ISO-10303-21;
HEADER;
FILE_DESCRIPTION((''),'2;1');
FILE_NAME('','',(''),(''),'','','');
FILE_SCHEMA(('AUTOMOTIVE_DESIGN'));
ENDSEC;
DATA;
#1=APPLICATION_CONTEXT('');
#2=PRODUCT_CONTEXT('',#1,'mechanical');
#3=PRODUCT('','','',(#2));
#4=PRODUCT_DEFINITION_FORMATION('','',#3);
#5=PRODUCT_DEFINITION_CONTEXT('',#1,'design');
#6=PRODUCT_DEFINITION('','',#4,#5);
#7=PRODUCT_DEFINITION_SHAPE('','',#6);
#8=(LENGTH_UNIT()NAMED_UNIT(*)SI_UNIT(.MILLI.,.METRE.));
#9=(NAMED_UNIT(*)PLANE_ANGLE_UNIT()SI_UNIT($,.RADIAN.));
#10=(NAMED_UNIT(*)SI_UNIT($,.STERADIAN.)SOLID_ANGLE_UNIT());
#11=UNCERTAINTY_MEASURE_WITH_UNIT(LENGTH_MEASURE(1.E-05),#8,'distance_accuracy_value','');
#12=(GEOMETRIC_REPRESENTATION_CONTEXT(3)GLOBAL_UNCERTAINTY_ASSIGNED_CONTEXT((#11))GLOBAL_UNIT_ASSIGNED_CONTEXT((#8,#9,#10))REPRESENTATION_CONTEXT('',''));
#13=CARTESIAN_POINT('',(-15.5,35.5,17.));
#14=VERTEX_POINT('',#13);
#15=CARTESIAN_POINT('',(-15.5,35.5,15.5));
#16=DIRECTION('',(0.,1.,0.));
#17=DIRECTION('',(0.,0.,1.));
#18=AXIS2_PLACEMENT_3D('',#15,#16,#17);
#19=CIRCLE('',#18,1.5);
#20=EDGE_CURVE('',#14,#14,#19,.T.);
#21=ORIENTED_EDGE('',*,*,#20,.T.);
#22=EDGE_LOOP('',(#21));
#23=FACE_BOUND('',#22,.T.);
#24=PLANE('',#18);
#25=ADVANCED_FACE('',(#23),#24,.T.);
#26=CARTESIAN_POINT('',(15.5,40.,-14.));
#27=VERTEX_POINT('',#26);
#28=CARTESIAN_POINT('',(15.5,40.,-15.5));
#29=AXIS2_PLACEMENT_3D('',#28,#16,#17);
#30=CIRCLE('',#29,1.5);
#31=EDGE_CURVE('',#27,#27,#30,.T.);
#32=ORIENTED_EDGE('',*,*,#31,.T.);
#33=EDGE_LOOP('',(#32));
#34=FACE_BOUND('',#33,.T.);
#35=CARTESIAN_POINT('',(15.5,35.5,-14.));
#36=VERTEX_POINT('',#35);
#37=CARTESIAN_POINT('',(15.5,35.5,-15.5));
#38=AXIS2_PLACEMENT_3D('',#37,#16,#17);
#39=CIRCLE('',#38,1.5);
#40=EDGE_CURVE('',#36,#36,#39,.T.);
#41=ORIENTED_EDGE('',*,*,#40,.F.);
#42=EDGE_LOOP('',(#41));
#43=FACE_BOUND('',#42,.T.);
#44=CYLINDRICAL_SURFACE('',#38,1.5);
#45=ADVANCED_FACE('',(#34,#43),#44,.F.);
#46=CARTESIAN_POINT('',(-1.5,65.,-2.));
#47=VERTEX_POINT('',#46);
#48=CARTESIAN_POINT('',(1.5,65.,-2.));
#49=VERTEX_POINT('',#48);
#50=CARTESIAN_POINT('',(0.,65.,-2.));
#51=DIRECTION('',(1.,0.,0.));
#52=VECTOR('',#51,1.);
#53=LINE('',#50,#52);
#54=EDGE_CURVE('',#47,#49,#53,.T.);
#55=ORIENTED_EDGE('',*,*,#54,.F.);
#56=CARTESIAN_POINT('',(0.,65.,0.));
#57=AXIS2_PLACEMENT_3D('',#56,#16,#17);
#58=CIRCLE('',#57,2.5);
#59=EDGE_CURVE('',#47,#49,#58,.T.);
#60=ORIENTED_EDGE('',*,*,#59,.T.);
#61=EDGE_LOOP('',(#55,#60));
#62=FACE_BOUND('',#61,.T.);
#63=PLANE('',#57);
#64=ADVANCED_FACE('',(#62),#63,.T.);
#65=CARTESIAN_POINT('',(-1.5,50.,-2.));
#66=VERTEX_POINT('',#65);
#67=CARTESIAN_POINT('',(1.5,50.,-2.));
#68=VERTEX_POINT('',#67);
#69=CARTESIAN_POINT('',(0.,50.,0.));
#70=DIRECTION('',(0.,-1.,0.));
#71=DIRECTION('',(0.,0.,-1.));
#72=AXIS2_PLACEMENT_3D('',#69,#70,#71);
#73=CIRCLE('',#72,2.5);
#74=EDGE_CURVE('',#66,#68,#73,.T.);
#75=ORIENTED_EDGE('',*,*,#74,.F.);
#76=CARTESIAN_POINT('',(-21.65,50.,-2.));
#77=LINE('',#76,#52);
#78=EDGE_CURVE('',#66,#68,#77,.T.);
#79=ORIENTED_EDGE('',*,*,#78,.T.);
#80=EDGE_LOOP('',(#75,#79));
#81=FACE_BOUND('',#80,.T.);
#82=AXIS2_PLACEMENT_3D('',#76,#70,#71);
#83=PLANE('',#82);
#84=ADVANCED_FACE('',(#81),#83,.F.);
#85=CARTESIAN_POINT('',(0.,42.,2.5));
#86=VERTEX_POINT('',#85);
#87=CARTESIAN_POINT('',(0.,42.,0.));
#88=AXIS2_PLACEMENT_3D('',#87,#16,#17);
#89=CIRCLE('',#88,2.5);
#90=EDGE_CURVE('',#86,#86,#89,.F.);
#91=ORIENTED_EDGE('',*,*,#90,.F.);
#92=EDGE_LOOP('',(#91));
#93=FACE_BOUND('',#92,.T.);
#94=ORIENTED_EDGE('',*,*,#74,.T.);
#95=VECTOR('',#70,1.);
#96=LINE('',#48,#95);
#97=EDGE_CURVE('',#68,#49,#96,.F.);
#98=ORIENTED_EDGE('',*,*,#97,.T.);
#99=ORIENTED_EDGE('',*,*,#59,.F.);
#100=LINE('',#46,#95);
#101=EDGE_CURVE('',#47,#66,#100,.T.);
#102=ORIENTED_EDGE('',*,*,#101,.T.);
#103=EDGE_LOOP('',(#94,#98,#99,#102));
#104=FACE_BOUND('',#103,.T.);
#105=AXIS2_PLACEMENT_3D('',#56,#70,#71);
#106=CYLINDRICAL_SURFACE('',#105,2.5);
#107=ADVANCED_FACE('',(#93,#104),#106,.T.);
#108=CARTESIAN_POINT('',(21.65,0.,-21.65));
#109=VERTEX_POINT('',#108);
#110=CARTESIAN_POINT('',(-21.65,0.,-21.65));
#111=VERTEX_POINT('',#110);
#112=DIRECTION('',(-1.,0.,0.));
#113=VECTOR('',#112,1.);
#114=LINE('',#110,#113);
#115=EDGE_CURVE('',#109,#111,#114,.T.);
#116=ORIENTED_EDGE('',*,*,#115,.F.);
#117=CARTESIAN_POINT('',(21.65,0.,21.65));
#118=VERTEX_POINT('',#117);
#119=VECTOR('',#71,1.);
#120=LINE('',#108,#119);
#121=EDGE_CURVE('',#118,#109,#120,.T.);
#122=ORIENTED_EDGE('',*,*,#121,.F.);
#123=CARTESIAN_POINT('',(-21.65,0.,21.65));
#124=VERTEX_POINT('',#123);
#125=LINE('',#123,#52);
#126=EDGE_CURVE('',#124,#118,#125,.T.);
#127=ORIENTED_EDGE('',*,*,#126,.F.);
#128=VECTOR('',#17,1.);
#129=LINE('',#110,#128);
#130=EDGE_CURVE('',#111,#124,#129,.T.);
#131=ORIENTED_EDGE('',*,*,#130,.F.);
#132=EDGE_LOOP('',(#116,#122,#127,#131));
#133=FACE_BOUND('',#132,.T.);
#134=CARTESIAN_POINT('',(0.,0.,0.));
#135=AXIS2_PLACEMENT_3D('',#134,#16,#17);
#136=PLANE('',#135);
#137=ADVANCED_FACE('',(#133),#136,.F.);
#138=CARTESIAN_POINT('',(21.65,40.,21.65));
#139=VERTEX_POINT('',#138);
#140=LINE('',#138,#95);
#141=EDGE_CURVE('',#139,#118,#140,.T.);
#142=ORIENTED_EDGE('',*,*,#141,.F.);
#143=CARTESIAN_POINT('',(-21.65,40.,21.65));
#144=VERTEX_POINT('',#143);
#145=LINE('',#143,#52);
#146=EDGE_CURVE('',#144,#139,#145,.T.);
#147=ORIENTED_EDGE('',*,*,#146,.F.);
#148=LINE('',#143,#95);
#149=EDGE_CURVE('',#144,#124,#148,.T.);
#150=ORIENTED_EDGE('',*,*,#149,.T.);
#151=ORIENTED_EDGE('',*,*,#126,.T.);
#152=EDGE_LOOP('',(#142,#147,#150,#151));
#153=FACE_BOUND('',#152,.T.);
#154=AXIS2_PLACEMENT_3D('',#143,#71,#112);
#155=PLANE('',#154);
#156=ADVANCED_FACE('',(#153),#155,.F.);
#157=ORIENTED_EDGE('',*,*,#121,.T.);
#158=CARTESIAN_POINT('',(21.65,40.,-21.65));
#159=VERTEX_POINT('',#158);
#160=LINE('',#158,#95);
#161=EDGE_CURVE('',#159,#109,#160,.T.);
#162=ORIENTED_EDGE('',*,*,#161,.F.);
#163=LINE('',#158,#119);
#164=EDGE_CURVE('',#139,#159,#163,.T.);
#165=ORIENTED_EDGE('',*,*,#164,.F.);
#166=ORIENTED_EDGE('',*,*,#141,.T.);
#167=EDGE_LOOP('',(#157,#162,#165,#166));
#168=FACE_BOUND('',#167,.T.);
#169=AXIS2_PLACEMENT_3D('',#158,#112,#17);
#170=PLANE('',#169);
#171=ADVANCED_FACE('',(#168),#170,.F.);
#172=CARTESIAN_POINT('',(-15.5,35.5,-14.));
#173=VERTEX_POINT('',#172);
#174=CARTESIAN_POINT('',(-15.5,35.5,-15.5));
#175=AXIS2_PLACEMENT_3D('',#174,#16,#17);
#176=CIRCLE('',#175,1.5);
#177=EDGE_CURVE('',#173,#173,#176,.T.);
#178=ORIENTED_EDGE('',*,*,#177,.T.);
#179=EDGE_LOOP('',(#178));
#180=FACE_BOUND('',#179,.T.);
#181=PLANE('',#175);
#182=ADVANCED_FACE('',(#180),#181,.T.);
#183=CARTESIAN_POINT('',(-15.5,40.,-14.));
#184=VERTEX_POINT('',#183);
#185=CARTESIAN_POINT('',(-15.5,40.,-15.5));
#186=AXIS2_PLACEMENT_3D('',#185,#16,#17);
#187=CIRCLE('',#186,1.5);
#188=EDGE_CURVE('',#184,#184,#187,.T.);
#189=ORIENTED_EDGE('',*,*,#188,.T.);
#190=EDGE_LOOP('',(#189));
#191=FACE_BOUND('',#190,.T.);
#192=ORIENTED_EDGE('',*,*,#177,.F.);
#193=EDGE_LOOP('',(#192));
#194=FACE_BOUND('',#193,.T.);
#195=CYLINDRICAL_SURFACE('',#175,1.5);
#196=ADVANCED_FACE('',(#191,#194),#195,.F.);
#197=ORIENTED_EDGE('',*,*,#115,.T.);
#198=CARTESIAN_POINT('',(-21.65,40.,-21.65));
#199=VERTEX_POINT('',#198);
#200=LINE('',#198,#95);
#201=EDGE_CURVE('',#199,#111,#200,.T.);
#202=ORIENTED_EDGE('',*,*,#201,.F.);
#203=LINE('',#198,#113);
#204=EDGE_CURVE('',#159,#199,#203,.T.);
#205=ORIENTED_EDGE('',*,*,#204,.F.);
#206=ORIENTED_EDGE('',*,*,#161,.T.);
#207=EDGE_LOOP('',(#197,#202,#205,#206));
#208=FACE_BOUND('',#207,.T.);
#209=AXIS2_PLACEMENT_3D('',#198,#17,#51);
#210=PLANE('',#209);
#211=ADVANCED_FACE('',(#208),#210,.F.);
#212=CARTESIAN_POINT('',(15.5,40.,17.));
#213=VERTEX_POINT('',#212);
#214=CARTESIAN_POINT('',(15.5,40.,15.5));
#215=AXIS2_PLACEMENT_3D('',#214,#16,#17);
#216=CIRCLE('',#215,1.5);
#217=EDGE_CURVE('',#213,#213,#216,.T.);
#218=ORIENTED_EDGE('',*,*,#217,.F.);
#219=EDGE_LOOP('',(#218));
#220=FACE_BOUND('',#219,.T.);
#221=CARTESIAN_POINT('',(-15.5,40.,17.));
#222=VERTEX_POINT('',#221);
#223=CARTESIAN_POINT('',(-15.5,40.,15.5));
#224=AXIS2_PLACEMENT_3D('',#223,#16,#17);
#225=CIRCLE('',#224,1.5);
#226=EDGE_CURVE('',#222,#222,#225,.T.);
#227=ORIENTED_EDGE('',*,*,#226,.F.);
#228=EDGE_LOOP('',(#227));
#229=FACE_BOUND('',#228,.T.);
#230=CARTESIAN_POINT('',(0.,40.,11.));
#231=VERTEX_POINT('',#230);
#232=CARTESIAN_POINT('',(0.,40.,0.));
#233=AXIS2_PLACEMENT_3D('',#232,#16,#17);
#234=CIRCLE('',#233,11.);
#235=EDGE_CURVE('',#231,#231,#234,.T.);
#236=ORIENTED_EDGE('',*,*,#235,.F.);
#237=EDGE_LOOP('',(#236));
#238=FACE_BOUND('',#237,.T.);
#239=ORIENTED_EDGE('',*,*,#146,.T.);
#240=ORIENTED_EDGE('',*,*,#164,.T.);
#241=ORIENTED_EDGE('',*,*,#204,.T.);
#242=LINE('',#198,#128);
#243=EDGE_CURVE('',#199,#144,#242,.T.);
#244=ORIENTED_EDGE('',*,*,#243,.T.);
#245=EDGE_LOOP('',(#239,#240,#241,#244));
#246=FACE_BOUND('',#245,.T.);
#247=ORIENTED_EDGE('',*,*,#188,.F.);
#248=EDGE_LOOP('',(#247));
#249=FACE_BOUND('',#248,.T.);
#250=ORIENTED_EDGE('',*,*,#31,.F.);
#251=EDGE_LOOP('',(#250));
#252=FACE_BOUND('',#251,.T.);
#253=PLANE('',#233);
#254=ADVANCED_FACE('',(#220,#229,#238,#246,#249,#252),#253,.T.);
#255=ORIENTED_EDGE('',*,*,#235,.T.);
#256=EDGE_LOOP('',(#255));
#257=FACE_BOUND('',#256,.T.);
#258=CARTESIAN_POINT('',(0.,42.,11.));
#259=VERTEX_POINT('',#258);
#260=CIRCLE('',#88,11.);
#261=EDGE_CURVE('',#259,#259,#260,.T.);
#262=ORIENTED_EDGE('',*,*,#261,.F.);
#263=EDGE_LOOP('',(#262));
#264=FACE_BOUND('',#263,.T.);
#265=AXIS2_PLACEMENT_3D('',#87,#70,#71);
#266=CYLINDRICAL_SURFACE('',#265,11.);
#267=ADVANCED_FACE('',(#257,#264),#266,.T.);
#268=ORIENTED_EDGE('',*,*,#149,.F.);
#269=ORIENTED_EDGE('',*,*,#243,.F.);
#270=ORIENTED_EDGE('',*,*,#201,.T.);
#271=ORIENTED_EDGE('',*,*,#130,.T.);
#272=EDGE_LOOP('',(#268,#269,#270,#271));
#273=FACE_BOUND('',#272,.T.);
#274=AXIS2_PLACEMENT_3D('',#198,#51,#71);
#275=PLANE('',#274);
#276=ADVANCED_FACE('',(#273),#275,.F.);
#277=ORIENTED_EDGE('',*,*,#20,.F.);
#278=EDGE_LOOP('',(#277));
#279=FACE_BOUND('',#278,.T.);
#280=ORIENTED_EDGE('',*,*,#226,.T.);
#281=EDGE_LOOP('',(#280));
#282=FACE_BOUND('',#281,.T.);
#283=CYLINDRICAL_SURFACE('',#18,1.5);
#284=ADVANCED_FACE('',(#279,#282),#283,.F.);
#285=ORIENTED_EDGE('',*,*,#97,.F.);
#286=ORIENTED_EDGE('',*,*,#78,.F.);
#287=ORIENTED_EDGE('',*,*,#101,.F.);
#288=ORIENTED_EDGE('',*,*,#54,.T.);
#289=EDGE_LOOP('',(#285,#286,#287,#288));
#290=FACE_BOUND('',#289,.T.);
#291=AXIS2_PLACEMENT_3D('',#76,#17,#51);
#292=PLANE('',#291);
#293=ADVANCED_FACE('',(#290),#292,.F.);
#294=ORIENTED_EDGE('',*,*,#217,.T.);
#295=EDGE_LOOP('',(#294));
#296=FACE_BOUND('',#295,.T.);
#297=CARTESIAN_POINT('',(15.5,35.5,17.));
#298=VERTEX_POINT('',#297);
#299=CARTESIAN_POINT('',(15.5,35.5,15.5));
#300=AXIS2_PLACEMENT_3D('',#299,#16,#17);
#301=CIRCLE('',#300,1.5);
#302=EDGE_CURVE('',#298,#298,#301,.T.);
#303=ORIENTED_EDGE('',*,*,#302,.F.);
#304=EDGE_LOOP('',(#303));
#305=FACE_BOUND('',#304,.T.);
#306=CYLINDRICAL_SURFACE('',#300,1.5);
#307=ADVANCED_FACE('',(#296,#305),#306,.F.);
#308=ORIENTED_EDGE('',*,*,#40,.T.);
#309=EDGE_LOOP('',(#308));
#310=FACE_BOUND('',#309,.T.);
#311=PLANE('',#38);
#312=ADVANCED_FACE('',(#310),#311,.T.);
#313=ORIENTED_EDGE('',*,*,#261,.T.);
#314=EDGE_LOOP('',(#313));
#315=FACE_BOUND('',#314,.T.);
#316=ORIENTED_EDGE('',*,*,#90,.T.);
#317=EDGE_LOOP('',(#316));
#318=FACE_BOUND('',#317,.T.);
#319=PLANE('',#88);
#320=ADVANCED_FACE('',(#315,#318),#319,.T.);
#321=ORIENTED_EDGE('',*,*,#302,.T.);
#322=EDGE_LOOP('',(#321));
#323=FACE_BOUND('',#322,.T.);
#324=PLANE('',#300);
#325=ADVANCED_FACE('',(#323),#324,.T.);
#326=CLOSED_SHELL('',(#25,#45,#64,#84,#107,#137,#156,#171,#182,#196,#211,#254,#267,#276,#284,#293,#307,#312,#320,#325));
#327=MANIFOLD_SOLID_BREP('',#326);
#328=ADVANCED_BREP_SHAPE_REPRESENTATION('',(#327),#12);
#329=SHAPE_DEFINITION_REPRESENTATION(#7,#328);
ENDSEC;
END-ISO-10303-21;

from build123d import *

# Parameters (mm, degrees)
SKETCH1_W               = 43.3
SKETCH1_H               = 43.3
BOSS_EXTRUDE1_DEPTH     = 40
SKETCH2_R               = 11
BOSS_EXTRUDE2_DEPTH     = 2
SKETCH3_R               = 2.5
BOSS_EXTRUDE3_DEPTH     = 25
CUT_EXTRUDE1_DEPTH      = 72.850156576
CUT_EXTRUDE1_DEPTH_BACK = 72.850156576
SKETCH4_W               = 0.5
SKETCH4_H               = 15
SKETCH5_R               = 1.5
CUT_EXTRUDE2_DEPTH      = 4.5


with BuildPart() as part:
    # Sketch1 → Boss-Extrude1 (new body)
    with BuildSketch(Plane(origin=(0, 0, 0), x_dir=(1, 0, 0), z_dir=(0, 1, 0))):
        Rectangle(SKETCH1_W, SKETCH1_H)
    extrude(amount=BOSS_EXTRUDE1_DEPTH)

    # Sketch2 → Boss-Extrude2 (add)
    with BuildSketch(Plane(origin=(0, 40, 0), x_dir=(1, 0, 0), z_dir=(0, 1, 0))):
        with Locations(Location((0, 0, 0), (0, 0, 270))):
            Circle(SKETCH2_R)
    extrude(amount=BOSS_EXTRUDE2_DEPTH)

    # Sketch3 → Boss-Extrude3 (add)
    with BuildSketch(Plane(origin=(0, 40, 0), x_dir=(1, 0, 0), z_dir=(0, 1, 0))):
        with Locations(Location((0, 0, 0), (0, 0, 270))):
            Circle(SKETCH3_R)
    extrude(amount=BOSS_EXTRUDE3_DEPTH)

    # Sketch4 → Cut-Extrude1 (cut, two sides: drawn at the far end of the back side and taken through both)
    with BuildSketch(Plane(origin=(0, 0, 0), x_dir=(0, 0, -1), z_dir=(1, 0, 0)).offset(-CUT_EXTRUDE1_DEPTH_BACK)):
        with Locations((2.25, 57.5)):
            Rectangle(SKETCH4_W, SKETCH4_H)
    extrude(amount=CUT_EXTRUDE1_DEPTH + CUT_EXTRUDE1_DEPTH_BACK, mode=Mode.SUBTRACT)

    # Sketch5 → Cut-Extrude2 (cut)
    with BuildSketch(Plane(origin=(0, 40, 0), x_dir=(1, 0, 0), z_dir=(0, 1, 0))):
        with Locations(Location((15.5, 15.5, 0), (0, 0, 270))):
            Circle(SKETCH5_R)
        with Locations(Location((15.5, -15.5, 0), (0, 0, 270))):
            Circle(SKETCH5_R)
        with Locations(Location((-15.5, -15.5, 0), (0, 0, 270))):
            Circle(SKETCH5_R)
        with Locations(Location((-15.5, 15.5, 0), (0, 0, 270))):
            Circle(SKETCH5_R)
    extrude(amount=-CUT_EXTRUDE2_DEPTH, mode=Mode.SUBTRACT)


solid = part.part
